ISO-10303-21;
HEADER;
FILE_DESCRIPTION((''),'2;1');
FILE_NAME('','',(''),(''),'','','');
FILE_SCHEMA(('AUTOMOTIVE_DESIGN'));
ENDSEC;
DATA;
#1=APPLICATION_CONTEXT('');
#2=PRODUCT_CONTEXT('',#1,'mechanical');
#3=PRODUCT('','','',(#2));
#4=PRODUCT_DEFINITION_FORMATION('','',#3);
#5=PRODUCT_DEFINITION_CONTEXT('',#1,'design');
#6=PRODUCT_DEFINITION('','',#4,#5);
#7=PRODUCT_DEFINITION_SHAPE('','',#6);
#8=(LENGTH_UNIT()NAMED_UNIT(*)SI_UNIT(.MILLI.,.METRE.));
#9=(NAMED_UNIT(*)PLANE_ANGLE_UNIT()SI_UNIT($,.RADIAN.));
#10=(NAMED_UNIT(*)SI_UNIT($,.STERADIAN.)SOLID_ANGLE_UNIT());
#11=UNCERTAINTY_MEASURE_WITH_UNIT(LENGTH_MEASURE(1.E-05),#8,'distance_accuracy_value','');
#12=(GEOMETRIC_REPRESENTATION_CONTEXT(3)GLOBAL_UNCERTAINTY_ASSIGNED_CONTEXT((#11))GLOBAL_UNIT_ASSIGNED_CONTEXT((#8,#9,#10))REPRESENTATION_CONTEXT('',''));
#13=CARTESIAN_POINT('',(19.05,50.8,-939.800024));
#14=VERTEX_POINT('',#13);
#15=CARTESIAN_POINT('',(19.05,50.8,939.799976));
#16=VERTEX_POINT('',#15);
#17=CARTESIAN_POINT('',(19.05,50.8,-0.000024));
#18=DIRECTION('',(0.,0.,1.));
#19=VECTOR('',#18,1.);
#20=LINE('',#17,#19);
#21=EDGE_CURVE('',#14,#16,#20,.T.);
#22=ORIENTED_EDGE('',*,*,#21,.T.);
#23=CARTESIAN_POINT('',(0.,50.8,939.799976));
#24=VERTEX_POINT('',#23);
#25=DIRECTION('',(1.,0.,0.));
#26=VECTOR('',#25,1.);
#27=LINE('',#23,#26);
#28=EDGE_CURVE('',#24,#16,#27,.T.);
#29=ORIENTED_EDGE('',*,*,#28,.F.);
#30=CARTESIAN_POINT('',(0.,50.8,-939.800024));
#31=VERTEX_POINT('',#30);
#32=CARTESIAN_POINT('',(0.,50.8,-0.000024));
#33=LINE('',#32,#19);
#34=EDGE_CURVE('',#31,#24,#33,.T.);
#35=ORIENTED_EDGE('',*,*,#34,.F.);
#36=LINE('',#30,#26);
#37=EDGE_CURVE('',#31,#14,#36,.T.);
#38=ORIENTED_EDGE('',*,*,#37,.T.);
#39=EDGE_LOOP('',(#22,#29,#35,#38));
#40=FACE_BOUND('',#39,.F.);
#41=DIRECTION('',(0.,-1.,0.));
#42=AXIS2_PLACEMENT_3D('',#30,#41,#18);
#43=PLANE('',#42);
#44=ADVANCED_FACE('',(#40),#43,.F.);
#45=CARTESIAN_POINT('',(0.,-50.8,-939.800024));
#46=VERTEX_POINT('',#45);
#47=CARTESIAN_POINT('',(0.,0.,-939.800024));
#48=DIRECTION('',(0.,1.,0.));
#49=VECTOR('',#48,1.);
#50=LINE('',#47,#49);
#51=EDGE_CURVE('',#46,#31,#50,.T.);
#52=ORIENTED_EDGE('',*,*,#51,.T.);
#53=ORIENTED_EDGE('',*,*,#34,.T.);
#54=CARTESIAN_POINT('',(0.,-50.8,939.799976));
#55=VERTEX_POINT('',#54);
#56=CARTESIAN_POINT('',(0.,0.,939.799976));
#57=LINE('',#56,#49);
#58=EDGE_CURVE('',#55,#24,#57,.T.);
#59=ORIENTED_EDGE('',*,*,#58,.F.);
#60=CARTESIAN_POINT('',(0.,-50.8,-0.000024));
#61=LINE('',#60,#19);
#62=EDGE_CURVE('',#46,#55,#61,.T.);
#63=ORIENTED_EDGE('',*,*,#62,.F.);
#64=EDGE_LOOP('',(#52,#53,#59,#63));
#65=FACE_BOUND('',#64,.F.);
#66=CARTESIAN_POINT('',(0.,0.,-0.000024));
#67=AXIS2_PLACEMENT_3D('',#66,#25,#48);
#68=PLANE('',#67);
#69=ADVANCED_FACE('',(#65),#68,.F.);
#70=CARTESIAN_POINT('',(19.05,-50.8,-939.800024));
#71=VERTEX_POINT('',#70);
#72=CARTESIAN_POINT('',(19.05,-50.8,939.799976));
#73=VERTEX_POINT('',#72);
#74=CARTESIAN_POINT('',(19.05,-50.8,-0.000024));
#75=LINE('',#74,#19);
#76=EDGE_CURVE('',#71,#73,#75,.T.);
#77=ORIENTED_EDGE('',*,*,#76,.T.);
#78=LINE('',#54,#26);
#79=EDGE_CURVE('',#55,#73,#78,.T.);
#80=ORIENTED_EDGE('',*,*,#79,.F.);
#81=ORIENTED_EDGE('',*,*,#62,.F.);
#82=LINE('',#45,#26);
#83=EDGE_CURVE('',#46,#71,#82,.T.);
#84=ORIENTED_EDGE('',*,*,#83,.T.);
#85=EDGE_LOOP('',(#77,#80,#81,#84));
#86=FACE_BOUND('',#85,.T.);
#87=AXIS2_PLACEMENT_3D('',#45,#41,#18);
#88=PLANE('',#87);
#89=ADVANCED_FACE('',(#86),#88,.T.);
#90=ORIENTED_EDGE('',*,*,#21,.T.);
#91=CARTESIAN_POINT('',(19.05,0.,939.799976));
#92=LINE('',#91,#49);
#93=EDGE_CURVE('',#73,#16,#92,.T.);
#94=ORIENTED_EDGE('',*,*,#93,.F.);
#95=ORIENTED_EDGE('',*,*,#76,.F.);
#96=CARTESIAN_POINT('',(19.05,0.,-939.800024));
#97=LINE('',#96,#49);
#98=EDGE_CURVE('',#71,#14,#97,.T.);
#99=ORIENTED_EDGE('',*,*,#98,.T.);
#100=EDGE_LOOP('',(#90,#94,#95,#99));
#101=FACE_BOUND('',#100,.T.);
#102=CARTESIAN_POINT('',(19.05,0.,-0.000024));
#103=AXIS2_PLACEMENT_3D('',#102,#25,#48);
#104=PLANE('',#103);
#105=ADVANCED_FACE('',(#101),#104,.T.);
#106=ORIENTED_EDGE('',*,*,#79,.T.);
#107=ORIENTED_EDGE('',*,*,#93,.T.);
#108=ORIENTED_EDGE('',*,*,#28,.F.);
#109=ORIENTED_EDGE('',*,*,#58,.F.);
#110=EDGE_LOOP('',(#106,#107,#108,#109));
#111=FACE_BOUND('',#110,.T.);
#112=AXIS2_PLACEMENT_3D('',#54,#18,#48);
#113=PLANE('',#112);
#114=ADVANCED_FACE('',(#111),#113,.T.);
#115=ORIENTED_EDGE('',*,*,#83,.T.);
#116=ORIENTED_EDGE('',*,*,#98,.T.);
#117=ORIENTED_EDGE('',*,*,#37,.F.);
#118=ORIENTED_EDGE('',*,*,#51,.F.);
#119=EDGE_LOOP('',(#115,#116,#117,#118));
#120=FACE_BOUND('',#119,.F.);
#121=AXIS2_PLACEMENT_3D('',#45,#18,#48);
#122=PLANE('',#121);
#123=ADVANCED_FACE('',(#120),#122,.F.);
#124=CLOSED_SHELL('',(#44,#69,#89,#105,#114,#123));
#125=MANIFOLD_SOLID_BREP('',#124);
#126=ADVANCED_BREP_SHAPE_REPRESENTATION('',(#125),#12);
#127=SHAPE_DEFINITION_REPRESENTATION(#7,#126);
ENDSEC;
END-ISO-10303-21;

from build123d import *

# Parameters (mm, degrees)
F0_W     = 101.6
F0_H     = 1879.6
F1_DEPTH = 19.05


with BuildPart() as f1:
    # F0 (on Right) → F1 (new body)
    with BuildSketch(Plane.YZ):
        with Locations((0, -2.4e-05)):
            Rectangle(F0_W, F0_H)
    extrude(amount=F1_DEPTH)


solid = f1.part
